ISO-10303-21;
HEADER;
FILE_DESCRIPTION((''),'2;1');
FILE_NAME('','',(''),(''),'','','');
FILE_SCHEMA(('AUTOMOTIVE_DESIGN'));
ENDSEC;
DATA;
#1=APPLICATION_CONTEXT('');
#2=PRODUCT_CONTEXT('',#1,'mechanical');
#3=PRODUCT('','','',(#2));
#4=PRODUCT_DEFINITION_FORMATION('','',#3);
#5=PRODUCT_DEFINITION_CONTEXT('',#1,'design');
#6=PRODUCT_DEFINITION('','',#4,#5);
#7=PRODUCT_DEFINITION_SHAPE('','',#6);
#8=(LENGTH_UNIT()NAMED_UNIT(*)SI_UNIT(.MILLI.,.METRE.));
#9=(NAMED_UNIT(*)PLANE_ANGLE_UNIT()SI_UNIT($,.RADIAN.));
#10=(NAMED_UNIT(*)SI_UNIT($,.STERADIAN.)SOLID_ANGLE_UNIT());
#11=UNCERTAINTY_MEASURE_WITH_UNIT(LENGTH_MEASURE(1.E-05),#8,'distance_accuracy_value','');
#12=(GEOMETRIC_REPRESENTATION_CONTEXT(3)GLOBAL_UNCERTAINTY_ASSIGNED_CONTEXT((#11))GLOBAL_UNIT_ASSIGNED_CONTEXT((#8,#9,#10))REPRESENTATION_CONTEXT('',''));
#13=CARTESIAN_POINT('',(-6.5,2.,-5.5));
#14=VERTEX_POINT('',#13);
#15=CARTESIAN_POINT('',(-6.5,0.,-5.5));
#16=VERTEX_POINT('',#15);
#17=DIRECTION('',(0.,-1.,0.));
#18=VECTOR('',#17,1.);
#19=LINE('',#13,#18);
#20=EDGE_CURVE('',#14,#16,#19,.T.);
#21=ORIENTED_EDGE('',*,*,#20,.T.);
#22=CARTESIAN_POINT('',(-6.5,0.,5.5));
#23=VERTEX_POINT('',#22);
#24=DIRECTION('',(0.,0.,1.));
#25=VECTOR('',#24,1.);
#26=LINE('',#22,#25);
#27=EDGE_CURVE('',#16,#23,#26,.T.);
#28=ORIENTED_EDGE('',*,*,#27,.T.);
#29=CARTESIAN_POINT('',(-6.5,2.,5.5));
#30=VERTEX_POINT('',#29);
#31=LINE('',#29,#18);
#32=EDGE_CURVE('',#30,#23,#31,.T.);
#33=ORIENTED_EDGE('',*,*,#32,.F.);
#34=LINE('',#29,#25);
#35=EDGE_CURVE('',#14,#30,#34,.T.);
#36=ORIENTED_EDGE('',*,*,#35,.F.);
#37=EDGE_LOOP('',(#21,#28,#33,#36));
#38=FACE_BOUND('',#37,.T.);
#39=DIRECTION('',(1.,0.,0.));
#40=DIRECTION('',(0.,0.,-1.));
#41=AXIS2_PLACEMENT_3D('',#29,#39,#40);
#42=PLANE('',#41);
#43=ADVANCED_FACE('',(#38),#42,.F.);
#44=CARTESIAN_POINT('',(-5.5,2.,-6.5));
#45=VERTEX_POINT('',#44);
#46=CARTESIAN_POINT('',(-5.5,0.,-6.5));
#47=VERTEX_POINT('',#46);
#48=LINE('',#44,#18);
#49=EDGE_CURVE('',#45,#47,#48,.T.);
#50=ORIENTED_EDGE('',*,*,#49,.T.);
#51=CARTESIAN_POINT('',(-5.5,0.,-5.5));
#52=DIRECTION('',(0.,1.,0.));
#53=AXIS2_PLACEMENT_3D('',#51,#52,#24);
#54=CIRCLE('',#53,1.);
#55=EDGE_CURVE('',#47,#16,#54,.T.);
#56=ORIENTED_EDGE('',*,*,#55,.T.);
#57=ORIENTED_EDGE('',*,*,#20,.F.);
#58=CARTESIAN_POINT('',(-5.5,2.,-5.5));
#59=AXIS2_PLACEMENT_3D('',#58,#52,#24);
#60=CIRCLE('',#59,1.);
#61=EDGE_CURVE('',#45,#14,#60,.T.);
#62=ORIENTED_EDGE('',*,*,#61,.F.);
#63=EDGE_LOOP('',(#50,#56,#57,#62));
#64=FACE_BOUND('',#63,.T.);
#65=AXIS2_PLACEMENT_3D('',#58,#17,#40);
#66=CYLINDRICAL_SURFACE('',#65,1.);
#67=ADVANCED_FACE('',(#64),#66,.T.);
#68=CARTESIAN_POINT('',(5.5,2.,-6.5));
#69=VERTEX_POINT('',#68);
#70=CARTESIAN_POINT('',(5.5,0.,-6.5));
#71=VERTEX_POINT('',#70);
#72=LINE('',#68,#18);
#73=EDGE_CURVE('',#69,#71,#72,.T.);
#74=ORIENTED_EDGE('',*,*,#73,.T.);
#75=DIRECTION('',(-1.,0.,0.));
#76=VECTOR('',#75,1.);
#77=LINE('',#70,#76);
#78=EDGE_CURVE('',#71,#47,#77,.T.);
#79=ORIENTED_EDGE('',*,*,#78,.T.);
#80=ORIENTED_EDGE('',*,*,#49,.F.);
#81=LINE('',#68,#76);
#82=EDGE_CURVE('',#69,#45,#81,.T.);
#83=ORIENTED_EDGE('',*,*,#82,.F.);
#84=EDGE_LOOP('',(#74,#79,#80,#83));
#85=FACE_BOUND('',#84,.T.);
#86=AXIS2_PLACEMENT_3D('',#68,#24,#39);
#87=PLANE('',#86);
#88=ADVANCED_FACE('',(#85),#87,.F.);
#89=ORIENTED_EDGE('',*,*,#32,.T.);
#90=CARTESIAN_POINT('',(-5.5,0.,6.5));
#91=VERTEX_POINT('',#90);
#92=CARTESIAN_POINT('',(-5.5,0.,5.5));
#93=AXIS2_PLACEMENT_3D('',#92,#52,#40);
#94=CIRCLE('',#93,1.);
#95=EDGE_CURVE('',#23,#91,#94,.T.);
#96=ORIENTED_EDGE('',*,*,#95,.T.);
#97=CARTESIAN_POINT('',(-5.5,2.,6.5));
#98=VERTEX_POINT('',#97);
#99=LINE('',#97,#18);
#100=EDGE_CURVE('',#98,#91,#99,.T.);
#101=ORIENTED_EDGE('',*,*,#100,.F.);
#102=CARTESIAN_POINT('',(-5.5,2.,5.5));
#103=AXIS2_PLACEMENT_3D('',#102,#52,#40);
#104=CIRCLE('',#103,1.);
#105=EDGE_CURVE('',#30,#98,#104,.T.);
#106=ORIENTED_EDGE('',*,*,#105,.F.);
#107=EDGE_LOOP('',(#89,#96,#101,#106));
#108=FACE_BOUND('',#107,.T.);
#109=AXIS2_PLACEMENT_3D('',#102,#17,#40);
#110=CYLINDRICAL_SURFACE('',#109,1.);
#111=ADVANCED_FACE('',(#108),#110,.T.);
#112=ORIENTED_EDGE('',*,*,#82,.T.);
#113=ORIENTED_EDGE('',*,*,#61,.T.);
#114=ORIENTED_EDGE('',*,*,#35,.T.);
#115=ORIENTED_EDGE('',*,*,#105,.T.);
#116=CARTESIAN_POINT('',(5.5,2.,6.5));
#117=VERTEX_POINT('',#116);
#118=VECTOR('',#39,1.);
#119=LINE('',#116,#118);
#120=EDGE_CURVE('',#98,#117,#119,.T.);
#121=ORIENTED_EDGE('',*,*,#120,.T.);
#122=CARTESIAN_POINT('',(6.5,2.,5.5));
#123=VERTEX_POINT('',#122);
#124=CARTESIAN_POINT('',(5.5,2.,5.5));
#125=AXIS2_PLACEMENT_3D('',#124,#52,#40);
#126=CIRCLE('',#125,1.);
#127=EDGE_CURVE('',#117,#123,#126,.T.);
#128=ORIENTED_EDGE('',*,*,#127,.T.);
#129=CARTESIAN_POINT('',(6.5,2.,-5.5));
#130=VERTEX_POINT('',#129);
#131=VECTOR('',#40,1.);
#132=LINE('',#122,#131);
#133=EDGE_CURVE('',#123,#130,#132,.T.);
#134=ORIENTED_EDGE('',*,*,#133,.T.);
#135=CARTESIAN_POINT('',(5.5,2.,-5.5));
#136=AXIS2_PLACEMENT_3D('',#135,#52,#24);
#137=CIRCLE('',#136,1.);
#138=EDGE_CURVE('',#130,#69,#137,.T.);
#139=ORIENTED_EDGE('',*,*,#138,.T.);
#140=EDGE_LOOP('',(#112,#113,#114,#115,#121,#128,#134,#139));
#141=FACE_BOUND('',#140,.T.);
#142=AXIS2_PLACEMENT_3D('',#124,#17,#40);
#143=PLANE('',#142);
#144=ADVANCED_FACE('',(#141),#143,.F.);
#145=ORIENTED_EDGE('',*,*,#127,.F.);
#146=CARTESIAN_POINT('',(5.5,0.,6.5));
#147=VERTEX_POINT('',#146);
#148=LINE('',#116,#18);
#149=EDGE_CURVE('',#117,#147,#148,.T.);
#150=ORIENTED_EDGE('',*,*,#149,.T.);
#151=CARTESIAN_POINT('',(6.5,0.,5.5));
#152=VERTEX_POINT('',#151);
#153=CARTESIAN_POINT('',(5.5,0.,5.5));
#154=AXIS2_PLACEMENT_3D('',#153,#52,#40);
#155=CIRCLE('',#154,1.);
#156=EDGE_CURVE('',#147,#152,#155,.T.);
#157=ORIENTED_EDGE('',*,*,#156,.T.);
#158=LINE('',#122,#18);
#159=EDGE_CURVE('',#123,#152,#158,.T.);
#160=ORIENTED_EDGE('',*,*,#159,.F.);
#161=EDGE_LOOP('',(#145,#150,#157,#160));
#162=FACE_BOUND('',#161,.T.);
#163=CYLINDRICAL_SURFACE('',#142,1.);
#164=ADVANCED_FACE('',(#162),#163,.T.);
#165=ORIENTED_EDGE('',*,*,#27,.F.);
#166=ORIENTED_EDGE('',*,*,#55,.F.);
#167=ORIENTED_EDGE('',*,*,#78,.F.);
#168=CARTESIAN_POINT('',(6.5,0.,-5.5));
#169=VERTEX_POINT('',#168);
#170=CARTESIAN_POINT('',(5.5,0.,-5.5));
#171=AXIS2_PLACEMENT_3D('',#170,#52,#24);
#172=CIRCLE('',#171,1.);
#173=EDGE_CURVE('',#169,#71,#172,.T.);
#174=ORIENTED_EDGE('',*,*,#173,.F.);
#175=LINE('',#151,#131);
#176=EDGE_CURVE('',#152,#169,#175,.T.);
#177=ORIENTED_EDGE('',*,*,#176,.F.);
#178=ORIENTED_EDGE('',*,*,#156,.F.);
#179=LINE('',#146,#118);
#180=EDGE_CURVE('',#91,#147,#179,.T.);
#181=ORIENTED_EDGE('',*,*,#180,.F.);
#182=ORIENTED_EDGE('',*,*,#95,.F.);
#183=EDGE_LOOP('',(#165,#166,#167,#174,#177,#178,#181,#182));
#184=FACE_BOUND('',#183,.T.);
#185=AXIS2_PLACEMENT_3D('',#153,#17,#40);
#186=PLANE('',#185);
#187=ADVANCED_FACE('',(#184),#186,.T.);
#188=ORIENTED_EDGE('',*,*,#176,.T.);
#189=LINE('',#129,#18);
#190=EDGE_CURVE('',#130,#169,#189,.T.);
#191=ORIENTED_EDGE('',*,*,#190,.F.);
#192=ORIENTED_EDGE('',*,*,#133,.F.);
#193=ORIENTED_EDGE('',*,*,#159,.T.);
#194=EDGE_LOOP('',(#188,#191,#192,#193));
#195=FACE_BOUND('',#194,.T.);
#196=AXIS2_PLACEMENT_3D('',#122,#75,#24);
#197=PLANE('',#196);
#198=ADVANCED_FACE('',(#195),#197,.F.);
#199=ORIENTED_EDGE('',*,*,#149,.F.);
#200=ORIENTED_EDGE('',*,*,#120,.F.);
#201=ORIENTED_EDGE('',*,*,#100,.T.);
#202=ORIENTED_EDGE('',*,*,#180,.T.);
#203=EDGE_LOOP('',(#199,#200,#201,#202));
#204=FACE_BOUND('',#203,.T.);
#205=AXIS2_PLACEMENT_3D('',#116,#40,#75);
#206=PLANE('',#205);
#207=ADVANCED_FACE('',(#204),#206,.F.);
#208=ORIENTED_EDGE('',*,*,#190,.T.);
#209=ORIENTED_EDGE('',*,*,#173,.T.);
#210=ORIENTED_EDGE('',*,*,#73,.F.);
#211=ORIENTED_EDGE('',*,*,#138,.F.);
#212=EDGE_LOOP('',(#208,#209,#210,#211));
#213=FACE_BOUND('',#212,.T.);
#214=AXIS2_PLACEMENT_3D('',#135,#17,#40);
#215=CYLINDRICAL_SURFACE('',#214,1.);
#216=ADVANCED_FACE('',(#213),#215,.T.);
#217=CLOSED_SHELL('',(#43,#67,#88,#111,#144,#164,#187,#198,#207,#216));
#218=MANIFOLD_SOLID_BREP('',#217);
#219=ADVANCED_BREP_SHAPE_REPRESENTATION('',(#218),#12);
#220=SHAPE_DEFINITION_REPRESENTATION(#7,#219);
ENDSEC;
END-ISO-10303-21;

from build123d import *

# Parameters (mm, degrees)
BOSS_EXTRUDE1_DEPTH = 2


with BuildPart() as part:
    # Sketch1 → Boss-Extrude1 (new body)
    with BuildSketch(Plane(origin=(0, 0, 0), x_dir=(1, 0, 0), z_dir=(0, 1, 0))):
        with BuildLine():
            Line((5.5, -6.5), (-5.5, -6.5))
            ThreePointArc((-5.5, -6.5), (-6.207106781, -6.207106781), (-6.5, -5.5))
            Line((-6.5, -5.5), (-6.5, 5.5))
            ThreePointArc((-6.5, 5.5), (-6.207106781, 6.207106781), (-5.5, 6.5))
            Line((-5.5, 6.5), (5.5, 6.5))
            ThreePointArc((5.5, 6.5), (6.207106781, 6.207106781), (6.5, 5.5))
            Line((6.5, 5.5), (6.5, -5.5))
            ThreePointArc((6.5, -5.5), (6.207106781, -6.207106781), (5.5, -6.5))
        make_face()
    extrude(amount=BOSS_EXTRUDE1_DEPTH)


solid = part.part
